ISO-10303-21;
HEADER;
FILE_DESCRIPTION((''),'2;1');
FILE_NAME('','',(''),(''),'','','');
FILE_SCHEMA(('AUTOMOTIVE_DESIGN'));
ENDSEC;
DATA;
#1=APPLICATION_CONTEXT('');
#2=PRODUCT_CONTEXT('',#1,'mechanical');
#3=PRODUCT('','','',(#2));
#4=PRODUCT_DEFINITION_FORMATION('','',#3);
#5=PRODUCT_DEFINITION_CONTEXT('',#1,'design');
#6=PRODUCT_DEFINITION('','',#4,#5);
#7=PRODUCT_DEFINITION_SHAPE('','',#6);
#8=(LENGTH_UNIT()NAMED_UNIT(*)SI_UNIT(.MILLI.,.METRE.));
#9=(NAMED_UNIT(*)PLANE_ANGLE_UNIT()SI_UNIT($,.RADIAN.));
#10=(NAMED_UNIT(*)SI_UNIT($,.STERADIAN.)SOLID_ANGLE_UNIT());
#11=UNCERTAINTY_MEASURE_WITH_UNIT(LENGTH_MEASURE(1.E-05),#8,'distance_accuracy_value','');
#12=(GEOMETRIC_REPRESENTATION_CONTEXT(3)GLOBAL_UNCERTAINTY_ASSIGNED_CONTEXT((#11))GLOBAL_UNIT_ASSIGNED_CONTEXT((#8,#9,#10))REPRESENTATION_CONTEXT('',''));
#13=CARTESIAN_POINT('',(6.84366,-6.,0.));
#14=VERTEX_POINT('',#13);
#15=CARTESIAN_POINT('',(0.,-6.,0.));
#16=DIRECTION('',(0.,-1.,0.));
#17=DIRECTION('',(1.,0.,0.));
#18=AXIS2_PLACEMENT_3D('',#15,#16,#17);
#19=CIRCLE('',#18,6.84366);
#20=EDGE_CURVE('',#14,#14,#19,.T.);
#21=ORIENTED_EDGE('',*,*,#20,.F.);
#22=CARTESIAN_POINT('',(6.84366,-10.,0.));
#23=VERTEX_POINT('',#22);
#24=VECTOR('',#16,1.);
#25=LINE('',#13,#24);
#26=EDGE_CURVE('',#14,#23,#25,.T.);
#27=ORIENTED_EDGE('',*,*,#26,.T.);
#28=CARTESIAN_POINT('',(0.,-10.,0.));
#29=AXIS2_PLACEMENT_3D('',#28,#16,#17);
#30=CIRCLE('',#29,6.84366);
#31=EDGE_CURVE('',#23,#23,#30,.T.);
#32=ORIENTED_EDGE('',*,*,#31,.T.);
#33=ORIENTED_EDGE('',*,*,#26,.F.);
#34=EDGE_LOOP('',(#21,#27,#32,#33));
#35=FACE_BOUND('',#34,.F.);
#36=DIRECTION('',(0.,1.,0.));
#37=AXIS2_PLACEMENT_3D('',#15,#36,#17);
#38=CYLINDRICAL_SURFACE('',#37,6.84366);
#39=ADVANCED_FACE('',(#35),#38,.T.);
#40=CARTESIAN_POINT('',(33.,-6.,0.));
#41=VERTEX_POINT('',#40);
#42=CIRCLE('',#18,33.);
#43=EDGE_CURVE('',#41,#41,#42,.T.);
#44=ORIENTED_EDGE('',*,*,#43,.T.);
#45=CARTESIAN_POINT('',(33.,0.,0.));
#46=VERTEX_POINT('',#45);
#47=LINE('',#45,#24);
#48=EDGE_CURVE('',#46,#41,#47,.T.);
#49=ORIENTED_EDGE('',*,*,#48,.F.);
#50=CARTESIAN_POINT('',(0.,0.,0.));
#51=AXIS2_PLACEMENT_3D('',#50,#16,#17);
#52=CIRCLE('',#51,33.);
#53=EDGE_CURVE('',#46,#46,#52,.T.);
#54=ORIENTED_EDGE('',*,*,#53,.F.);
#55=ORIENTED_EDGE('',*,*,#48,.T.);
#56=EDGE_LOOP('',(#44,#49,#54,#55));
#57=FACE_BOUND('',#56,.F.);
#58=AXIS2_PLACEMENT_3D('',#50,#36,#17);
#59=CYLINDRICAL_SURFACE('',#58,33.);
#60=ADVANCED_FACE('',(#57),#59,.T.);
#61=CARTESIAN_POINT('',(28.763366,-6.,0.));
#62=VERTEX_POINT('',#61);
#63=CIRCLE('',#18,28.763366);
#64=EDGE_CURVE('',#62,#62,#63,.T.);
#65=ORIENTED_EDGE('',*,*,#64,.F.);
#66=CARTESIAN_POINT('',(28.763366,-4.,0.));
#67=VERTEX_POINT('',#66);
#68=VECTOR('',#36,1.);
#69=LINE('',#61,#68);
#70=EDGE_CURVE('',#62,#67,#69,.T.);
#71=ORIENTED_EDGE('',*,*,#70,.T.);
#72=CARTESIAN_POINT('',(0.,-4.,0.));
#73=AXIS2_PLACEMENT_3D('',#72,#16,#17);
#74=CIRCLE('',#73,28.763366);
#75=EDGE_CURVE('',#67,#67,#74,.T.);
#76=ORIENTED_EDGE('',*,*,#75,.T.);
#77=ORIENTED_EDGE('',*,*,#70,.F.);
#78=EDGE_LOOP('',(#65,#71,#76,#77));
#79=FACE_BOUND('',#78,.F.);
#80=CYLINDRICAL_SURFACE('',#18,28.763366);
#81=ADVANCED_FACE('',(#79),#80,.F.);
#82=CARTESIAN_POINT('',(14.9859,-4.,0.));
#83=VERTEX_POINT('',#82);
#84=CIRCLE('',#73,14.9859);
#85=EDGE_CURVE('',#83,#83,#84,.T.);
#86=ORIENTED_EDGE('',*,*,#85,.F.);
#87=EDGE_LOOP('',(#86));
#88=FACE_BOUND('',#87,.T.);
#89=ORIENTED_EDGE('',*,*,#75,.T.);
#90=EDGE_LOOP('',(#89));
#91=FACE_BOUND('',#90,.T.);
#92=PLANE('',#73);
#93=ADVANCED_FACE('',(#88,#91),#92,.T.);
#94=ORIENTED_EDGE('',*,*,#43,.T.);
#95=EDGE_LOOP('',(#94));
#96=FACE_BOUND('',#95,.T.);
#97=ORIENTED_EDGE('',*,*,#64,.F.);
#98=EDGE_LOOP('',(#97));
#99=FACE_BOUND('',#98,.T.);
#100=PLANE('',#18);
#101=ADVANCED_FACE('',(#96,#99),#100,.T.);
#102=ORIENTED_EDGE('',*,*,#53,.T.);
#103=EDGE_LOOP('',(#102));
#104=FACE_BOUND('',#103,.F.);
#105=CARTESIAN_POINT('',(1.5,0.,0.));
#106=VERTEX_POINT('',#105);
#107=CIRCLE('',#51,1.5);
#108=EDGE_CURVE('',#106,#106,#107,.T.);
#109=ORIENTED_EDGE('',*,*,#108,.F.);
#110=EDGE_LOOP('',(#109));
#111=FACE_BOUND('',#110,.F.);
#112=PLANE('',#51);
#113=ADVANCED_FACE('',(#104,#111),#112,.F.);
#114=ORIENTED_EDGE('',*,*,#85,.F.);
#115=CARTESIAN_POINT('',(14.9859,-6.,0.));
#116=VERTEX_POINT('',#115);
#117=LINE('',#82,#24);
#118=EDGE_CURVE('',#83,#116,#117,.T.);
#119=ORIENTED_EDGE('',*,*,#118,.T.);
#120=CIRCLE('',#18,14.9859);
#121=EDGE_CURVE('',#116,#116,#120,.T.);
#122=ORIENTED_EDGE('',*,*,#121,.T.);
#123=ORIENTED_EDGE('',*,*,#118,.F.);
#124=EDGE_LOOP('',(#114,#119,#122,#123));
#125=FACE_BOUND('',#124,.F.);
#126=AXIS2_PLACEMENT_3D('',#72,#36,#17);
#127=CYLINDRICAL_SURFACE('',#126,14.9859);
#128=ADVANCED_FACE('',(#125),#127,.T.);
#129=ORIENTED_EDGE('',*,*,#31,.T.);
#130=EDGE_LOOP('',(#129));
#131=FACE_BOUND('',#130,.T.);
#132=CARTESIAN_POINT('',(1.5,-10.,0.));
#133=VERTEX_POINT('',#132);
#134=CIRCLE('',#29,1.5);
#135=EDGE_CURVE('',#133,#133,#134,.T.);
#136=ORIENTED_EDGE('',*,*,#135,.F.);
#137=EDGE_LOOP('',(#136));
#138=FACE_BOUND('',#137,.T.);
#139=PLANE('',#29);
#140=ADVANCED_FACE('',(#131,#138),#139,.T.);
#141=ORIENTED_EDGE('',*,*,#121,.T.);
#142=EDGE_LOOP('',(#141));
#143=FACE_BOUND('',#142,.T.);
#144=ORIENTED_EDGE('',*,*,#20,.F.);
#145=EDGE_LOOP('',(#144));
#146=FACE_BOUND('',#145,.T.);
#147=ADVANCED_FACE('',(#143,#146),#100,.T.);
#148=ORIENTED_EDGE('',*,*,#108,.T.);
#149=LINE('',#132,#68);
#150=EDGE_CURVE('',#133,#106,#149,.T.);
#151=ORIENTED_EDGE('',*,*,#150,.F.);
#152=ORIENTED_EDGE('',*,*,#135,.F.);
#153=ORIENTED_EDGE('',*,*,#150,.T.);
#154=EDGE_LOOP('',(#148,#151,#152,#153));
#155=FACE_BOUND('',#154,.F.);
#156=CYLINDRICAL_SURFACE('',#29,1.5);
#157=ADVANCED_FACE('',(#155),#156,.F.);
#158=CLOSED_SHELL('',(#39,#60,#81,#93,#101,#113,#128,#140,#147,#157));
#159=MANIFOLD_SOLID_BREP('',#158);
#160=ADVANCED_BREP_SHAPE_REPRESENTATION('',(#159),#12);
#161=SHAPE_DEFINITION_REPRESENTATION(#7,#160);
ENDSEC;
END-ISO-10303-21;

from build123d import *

# Parameters (mm, degrees)
F0_R     = 33
F1_DEPTH = 6
F2_R     = 28.763366
F3_DEPTH = 2
F4_R     = 14.9859
F5_DEPTH = 2
F6_R     = 6.84366
F7_DEPTH = 4
F8_R     = 1.5
F9_DEPTH = 25


with BuildPart() as f1:
    # F0 (on Front) → F1 (new body)
    with BuildSketch(Plane.XZ):
        Circle(F0_R)
    extrude(amount=F1_DEPTH)

    # F2 (on face) → F3 (cut)
    with BuildSketch(Plane.XZ.offset(6)):
        Circle(F2_R)
    extrude(amount=-F3_DEPTH, mode=Mode.SUBTRACT)

    # F4 (on face) → F5 (join)
    with BuildSketch(Plane.XZ.offset(4)):
        Circle(F4_R)
    extrude(amount=F5_DEPTH)

    # F6 (on face) → F7 (join)
    with BuildSketch(Plane.XZ.offset(6)):
        Circle(F6_R)
    extrude(amount=F7_DEPTH)

    # F8 (on face) → F9 (cut)
    with BuildSketch(Plane.XZ.offset(10)):
        Circle(F8_R)
    extrude(amount=-F9_DEPTH, mode=Mode.SUBTRACT)


solid = f1.part
